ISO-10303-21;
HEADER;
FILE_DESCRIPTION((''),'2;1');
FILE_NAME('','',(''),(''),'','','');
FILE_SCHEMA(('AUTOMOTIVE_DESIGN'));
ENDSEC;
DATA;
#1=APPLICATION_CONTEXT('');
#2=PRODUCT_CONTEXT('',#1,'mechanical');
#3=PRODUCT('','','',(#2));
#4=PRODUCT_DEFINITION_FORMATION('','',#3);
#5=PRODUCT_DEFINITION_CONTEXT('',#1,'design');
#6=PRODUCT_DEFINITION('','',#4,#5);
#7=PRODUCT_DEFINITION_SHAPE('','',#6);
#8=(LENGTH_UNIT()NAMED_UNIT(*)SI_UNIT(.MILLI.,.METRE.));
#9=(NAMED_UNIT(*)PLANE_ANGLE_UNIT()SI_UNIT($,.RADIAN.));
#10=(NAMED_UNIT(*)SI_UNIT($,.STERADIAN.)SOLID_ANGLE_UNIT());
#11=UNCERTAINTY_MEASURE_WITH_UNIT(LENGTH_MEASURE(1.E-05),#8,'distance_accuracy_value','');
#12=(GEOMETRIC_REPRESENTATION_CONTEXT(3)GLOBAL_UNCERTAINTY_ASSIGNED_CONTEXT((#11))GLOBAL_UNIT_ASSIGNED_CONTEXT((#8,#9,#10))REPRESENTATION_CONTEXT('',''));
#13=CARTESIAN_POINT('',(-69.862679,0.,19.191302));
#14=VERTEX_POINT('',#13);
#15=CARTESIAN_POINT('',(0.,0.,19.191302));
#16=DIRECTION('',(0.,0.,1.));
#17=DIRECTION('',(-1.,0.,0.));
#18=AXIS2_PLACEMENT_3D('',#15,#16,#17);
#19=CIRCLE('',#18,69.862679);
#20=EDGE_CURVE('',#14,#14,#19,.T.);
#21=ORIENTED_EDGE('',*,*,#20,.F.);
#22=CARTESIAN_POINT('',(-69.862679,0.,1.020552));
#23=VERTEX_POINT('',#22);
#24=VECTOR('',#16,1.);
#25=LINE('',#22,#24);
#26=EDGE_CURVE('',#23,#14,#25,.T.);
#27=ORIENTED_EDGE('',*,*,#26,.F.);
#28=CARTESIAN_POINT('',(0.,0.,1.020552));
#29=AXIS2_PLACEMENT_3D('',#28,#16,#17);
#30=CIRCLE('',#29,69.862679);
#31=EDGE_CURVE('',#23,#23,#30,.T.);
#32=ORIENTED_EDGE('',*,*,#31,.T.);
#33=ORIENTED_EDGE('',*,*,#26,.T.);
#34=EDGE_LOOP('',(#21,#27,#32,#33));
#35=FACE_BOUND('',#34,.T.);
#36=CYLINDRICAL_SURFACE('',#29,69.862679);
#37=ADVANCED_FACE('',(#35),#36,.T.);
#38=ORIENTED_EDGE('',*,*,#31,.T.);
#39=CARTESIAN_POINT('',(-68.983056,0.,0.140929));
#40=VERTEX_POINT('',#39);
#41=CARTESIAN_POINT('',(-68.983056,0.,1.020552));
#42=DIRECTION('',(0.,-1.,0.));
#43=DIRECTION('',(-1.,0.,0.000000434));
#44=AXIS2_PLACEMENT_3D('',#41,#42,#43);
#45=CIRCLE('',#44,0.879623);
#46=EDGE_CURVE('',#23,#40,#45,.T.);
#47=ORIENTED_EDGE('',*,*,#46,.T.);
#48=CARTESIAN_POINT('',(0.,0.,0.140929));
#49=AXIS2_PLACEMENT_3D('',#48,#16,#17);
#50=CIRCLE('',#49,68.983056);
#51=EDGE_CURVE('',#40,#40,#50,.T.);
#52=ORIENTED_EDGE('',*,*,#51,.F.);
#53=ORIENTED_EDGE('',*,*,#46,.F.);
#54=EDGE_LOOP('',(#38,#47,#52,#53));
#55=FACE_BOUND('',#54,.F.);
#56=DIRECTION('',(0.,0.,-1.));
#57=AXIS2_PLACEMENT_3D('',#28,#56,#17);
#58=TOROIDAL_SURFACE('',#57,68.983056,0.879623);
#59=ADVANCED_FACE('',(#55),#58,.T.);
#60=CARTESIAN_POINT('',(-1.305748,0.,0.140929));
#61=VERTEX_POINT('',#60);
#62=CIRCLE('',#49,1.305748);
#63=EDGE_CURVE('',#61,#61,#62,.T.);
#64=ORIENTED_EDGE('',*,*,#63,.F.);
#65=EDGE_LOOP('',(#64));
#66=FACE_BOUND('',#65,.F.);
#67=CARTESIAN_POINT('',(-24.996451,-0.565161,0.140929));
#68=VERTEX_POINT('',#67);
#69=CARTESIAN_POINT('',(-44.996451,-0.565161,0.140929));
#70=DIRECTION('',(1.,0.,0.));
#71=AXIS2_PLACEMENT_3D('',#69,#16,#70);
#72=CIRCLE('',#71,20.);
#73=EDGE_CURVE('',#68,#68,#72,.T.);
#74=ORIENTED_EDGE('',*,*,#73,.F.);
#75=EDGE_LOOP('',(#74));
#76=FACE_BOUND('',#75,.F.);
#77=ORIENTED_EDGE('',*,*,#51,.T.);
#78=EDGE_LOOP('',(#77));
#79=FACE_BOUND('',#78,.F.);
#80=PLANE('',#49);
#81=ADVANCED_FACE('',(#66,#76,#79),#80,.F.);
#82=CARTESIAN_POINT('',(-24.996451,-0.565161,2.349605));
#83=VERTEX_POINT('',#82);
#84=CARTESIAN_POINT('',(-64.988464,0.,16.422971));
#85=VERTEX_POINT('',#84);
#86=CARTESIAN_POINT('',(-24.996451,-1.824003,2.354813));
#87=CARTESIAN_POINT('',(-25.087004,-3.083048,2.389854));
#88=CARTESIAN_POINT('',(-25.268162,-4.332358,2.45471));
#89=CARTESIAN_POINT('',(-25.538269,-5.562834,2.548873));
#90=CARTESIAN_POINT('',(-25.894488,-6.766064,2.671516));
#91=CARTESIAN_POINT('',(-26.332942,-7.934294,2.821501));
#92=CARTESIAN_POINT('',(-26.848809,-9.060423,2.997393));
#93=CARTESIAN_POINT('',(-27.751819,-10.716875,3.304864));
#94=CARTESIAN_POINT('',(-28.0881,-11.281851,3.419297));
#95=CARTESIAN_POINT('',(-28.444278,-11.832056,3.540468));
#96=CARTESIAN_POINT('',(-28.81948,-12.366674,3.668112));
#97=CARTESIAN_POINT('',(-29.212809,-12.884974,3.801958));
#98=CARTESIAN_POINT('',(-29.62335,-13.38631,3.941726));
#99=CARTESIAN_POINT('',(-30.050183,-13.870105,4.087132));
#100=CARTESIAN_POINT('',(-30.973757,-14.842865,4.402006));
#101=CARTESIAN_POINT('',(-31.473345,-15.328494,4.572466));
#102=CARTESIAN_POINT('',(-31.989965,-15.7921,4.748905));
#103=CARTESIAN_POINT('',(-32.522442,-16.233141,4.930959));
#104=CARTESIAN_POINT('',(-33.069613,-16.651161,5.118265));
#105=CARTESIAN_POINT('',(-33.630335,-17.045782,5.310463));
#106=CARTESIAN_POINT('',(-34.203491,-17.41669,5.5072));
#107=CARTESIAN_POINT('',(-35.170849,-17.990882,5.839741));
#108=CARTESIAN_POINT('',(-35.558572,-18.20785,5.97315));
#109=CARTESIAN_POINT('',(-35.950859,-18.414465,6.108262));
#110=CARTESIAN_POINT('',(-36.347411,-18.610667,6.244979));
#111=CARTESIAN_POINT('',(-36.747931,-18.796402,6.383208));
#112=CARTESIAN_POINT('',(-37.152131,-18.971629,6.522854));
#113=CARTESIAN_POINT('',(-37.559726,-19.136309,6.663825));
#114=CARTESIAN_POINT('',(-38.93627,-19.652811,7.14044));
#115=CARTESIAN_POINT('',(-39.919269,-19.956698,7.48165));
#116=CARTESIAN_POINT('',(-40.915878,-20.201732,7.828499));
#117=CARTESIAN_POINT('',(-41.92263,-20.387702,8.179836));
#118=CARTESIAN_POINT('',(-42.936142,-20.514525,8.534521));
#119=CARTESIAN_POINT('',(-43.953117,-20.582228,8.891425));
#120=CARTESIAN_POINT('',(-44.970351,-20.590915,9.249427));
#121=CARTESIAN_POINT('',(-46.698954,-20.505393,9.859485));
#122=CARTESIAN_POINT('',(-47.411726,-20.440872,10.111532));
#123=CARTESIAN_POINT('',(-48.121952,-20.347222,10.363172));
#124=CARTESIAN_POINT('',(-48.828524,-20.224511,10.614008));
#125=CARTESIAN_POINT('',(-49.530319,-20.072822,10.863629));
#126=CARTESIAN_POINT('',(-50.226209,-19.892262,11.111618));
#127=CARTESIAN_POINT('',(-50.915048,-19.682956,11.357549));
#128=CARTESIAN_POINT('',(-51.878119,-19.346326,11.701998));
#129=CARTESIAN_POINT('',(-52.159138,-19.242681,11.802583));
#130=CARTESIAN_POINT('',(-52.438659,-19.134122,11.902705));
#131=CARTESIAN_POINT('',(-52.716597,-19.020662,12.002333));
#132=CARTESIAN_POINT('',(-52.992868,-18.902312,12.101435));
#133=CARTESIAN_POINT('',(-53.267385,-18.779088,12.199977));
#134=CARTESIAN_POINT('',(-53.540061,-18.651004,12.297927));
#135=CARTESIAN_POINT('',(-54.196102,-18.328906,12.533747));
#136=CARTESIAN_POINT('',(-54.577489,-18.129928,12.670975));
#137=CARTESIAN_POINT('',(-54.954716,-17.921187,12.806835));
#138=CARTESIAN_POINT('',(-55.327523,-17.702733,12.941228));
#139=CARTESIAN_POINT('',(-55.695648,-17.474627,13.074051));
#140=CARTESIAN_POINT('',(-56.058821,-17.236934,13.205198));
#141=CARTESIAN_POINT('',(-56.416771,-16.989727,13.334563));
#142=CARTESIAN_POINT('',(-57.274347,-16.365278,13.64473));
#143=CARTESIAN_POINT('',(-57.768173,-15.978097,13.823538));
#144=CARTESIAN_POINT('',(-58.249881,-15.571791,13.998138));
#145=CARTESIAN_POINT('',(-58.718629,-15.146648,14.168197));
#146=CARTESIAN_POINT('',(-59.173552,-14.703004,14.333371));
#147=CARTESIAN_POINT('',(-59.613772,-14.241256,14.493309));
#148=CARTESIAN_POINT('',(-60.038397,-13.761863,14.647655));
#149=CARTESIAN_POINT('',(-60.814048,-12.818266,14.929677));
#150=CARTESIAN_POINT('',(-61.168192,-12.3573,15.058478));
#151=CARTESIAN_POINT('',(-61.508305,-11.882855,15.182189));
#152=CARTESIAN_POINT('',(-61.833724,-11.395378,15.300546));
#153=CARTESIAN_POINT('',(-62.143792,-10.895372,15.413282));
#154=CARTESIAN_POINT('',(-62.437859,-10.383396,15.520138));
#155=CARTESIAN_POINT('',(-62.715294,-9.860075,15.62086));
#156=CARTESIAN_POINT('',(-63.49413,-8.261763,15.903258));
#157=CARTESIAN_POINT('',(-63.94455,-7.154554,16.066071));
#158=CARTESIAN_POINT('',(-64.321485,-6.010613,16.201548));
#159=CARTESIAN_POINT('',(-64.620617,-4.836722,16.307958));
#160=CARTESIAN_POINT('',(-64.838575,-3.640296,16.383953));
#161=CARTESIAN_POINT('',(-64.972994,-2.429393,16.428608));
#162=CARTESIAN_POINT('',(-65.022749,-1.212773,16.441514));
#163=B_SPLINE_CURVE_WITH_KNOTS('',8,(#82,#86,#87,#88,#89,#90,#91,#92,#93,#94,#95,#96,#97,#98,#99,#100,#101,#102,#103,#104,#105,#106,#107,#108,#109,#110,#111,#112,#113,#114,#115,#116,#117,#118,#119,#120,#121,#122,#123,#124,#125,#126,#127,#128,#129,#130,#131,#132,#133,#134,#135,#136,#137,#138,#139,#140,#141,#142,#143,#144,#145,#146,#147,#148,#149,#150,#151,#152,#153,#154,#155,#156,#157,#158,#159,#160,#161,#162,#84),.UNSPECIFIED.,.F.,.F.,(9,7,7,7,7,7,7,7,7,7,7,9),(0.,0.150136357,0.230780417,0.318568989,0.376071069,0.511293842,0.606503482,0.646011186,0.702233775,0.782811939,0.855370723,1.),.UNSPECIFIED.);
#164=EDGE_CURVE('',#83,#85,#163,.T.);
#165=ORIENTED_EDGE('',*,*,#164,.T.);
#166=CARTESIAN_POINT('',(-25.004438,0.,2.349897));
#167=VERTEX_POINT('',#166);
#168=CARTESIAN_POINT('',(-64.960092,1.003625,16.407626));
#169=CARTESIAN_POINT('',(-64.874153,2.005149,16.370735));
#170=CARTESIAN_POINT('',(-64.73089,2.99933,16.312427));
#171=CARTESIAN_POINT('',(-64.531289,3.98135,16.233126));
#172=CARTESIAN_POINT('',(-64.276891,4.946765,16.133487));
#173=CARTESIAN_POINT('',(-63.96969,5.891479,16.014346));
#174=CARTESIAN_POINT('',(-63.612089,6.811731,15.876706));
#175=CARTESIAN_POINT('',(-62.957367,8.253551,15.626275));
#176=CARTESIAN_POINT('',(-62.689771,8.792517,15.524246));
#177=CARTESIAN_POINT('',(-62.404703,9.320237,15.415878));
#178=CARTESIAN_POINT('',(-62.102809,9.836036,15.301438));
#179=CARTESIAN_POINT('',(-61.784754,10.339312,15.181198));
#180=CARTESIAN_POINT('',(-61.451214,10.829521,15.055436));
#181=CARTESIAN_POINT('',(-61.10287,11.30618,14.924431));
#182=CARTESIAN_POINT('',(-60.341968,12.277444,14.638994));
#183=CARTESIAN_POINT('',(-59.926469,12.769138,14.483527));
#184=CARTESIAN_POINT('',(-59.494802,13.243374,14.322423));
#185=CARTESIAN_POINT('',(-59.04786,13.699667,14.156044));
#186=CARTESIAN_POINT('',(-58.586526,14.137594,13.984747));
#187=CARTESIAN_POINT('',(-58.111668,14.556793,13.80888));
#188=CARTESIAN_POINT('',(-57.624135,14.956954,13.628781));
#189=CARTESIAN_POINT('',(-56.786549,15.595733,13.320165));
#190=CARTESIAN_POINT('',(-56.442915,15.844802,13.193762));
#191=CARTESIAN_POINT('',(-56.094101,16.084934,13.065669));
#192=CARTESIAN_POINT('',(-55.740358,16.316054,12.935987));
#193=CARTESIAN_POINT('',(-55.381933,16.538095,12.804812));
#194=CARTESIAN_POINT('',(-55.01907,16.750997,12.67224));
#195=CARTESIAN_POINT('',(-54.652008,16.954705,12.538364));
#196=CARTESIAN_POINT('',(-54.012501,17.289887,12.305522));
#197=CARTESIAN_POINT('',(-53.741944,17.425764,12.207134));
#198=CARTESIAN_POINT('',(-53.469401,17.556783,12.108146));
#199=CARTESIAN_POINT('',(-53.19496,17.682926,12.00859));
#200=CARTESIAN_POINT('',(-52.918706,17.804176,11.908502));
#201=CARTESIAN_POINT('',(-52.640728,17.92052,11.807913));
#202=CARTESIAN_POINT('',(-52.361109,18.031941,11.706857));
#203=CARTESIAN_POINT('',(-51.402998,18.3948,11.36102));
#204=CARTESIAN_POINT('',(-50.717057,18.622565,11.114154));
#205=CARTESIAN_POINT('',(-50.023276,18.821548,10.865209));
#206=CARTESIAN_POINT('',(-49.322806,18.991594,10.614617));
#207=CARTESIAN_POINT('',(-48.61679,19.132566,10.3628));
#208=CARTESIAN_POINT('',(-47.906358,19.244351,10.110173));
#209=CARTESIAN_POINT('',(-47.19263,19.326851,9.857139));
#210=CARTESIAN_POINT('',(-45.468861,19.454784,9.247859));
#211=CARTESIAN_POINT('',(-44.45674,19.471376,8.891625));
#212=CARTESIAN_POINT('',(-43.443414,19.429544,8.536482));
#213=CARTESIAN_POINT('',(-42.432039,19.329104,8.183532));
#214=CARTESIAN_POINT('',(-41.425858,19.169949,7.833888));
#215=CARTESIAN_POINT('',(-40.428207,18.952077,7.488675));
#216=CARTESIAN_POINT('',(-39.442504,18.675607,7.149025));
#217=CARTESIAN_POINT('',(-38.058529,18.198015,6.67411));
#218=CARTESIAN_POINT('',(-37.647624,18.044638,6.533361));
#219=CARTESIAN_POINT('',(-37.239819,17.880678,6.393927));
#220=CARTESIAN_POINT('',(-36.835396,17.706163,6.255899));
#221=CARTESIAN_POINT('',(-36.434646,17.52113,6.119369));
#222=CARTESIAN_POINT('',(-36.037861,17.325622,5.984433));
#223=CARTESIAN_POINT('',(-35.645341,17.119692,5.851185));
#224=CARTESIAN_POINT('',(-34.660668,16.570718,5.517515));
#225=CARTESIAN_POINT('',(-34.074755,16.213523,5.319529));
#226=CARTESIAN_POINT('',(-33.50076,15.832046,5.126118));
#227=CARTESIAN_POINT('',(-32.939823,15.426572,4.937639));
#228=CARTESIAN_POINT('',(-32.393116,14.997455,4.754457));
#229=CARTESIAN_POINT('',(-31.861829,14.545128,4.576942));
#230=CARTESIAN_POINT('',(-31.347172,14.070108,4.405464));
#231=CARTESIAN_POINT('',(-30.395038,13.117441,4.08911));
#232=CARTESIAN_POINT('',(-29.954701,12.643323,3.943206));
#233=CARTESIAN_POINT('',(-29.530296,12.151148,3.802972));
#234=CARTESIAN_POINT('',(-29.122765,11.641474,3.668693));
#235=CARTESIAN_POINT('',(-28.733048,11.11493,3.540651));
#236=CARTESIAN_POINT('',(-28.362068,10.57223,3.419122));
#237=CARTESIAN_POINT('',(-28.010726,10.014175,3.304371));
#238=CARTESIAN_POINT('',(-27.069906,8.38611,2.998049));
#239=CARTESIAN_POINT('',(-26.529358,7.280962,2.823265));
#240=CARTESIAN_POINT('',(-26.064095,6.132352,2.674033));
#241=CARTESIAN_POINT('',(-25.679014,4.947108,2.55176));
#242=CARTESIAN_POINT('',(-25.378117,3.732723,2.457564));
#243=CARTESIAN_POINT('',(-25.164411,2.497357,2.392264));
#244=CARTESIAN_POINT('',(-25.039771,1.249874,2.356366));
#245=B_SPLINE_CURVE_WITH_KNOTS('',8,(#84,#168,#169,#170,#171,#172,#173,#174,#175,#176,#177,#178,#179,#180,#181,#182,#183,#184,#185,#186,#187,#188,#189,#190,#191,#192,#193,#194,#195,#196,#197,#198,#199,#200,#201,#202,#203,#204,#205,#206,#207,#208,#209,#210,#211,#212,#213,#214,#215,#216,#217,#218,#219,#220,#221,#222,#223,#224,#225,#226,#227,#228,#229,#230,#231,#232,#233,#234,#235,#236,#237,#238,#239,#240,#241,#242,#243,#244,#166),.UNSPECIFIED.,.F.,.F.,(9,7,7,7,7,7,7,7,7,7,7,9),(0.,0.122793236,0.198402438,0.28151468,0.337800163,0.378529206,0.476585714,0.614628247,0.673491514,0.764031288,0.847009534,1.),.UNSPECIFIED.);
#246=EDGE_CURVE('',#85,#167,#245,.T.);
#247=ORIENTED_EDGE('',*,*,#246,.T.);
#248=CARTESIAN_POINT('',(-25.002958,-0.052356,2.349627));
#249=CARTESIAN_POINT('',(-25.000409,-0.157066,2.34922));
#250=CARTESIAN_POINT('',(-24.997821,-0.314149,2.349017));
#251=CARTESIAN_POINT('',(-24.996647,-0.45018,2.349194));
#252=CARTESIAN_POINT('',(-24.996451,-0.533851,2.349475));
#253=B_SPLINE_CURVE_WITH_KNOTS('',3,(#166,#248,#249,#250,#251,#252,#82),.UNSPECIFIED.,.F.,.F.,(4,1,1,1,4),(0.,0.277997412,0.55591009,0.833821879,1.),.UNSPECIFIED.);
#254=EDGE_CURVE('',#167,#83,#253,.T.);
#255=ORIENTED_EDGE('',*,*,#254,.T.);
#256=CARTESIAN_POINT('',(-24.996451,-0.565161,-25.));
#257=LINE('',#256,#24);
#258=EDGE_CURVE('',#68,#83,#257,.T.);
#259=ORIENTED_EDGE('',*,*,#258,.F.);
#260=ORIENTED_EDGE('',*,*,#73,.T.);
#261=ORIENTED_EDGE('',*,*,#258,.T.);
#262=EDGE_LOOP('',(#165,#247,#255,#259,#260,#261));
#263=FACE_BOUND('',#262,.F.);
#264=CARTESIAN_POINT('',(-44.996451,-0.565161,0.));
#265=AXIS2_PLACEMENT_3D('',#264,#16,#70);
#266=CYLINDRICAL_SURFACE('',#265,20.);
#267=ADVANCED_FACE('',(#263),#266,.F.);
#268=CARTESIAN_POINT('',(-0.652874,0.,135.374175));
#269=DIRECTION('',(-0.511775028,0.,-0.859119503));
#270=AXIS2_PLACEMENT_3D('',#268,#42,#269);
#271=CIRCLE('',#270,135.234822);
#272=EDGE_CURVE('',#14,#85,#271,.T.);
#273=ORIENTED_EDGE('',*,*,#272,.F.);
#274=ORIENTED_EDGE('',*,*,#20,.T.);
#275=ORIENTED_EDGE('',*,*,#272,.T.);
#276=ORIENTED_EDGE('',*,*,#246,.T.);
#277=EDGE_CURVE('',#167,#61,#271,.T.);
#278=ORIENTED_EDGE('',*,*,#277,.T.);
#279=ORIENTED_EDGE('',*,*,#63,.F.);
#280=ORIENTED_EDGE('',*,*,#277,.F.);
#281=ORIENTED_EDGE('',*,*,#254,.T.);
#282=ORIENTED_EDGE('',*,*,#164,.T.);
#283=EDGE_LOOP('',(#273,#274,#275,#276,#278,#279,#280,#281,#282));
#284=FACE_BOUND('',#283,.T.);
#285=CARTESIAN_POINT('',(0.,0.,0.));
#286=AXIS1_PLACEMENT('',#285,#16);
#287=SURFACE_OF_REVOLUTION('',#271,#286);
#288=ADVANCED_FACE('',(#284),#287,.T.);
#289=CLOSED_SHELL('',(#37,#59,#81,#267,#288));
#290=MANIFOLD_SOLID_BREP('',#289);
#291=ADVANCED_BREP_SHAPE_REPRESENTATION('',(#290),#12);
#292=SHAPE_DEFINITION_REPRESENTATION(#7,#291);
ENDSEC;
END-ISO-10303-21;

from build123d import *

# Parameters (mm, degrees)
SKETCH_R     = 20
POCKET_DEPTH = 25


with BuildPart() as part:
    # Sketch001 → Revolution (revolve)
    with BuildSketch(Plane.XZ):
        with BuildLine():
            Line((-69.862679, 1.020552), (-69.862679, 19.191302))
            ThreePointArc((-69.862679, 19.191302), (-36.230147, 4.903049), (0, 0.140929))
            Line((-68.983056, 0.140929), (0, 0.140929))
            ThreePointArc((-69.862679, 1.020552), (-69.605043, 0.398564), (-68.983056, 0.140929))
        make_face()
    revolve(axis=Axis((0, 0, 0), (0, 0, 1)))

    # Sketch → Pocket (cut, symmetric)
    with BuildSketch(Plane.XY):
        with Locations((-44.996451, -0.565161)):
            Circle(SKETCH_R)
    extrude(amount=POCKET_DEPTH, both=True, mode=Mode.SUBTRACT)


solid = part.part
